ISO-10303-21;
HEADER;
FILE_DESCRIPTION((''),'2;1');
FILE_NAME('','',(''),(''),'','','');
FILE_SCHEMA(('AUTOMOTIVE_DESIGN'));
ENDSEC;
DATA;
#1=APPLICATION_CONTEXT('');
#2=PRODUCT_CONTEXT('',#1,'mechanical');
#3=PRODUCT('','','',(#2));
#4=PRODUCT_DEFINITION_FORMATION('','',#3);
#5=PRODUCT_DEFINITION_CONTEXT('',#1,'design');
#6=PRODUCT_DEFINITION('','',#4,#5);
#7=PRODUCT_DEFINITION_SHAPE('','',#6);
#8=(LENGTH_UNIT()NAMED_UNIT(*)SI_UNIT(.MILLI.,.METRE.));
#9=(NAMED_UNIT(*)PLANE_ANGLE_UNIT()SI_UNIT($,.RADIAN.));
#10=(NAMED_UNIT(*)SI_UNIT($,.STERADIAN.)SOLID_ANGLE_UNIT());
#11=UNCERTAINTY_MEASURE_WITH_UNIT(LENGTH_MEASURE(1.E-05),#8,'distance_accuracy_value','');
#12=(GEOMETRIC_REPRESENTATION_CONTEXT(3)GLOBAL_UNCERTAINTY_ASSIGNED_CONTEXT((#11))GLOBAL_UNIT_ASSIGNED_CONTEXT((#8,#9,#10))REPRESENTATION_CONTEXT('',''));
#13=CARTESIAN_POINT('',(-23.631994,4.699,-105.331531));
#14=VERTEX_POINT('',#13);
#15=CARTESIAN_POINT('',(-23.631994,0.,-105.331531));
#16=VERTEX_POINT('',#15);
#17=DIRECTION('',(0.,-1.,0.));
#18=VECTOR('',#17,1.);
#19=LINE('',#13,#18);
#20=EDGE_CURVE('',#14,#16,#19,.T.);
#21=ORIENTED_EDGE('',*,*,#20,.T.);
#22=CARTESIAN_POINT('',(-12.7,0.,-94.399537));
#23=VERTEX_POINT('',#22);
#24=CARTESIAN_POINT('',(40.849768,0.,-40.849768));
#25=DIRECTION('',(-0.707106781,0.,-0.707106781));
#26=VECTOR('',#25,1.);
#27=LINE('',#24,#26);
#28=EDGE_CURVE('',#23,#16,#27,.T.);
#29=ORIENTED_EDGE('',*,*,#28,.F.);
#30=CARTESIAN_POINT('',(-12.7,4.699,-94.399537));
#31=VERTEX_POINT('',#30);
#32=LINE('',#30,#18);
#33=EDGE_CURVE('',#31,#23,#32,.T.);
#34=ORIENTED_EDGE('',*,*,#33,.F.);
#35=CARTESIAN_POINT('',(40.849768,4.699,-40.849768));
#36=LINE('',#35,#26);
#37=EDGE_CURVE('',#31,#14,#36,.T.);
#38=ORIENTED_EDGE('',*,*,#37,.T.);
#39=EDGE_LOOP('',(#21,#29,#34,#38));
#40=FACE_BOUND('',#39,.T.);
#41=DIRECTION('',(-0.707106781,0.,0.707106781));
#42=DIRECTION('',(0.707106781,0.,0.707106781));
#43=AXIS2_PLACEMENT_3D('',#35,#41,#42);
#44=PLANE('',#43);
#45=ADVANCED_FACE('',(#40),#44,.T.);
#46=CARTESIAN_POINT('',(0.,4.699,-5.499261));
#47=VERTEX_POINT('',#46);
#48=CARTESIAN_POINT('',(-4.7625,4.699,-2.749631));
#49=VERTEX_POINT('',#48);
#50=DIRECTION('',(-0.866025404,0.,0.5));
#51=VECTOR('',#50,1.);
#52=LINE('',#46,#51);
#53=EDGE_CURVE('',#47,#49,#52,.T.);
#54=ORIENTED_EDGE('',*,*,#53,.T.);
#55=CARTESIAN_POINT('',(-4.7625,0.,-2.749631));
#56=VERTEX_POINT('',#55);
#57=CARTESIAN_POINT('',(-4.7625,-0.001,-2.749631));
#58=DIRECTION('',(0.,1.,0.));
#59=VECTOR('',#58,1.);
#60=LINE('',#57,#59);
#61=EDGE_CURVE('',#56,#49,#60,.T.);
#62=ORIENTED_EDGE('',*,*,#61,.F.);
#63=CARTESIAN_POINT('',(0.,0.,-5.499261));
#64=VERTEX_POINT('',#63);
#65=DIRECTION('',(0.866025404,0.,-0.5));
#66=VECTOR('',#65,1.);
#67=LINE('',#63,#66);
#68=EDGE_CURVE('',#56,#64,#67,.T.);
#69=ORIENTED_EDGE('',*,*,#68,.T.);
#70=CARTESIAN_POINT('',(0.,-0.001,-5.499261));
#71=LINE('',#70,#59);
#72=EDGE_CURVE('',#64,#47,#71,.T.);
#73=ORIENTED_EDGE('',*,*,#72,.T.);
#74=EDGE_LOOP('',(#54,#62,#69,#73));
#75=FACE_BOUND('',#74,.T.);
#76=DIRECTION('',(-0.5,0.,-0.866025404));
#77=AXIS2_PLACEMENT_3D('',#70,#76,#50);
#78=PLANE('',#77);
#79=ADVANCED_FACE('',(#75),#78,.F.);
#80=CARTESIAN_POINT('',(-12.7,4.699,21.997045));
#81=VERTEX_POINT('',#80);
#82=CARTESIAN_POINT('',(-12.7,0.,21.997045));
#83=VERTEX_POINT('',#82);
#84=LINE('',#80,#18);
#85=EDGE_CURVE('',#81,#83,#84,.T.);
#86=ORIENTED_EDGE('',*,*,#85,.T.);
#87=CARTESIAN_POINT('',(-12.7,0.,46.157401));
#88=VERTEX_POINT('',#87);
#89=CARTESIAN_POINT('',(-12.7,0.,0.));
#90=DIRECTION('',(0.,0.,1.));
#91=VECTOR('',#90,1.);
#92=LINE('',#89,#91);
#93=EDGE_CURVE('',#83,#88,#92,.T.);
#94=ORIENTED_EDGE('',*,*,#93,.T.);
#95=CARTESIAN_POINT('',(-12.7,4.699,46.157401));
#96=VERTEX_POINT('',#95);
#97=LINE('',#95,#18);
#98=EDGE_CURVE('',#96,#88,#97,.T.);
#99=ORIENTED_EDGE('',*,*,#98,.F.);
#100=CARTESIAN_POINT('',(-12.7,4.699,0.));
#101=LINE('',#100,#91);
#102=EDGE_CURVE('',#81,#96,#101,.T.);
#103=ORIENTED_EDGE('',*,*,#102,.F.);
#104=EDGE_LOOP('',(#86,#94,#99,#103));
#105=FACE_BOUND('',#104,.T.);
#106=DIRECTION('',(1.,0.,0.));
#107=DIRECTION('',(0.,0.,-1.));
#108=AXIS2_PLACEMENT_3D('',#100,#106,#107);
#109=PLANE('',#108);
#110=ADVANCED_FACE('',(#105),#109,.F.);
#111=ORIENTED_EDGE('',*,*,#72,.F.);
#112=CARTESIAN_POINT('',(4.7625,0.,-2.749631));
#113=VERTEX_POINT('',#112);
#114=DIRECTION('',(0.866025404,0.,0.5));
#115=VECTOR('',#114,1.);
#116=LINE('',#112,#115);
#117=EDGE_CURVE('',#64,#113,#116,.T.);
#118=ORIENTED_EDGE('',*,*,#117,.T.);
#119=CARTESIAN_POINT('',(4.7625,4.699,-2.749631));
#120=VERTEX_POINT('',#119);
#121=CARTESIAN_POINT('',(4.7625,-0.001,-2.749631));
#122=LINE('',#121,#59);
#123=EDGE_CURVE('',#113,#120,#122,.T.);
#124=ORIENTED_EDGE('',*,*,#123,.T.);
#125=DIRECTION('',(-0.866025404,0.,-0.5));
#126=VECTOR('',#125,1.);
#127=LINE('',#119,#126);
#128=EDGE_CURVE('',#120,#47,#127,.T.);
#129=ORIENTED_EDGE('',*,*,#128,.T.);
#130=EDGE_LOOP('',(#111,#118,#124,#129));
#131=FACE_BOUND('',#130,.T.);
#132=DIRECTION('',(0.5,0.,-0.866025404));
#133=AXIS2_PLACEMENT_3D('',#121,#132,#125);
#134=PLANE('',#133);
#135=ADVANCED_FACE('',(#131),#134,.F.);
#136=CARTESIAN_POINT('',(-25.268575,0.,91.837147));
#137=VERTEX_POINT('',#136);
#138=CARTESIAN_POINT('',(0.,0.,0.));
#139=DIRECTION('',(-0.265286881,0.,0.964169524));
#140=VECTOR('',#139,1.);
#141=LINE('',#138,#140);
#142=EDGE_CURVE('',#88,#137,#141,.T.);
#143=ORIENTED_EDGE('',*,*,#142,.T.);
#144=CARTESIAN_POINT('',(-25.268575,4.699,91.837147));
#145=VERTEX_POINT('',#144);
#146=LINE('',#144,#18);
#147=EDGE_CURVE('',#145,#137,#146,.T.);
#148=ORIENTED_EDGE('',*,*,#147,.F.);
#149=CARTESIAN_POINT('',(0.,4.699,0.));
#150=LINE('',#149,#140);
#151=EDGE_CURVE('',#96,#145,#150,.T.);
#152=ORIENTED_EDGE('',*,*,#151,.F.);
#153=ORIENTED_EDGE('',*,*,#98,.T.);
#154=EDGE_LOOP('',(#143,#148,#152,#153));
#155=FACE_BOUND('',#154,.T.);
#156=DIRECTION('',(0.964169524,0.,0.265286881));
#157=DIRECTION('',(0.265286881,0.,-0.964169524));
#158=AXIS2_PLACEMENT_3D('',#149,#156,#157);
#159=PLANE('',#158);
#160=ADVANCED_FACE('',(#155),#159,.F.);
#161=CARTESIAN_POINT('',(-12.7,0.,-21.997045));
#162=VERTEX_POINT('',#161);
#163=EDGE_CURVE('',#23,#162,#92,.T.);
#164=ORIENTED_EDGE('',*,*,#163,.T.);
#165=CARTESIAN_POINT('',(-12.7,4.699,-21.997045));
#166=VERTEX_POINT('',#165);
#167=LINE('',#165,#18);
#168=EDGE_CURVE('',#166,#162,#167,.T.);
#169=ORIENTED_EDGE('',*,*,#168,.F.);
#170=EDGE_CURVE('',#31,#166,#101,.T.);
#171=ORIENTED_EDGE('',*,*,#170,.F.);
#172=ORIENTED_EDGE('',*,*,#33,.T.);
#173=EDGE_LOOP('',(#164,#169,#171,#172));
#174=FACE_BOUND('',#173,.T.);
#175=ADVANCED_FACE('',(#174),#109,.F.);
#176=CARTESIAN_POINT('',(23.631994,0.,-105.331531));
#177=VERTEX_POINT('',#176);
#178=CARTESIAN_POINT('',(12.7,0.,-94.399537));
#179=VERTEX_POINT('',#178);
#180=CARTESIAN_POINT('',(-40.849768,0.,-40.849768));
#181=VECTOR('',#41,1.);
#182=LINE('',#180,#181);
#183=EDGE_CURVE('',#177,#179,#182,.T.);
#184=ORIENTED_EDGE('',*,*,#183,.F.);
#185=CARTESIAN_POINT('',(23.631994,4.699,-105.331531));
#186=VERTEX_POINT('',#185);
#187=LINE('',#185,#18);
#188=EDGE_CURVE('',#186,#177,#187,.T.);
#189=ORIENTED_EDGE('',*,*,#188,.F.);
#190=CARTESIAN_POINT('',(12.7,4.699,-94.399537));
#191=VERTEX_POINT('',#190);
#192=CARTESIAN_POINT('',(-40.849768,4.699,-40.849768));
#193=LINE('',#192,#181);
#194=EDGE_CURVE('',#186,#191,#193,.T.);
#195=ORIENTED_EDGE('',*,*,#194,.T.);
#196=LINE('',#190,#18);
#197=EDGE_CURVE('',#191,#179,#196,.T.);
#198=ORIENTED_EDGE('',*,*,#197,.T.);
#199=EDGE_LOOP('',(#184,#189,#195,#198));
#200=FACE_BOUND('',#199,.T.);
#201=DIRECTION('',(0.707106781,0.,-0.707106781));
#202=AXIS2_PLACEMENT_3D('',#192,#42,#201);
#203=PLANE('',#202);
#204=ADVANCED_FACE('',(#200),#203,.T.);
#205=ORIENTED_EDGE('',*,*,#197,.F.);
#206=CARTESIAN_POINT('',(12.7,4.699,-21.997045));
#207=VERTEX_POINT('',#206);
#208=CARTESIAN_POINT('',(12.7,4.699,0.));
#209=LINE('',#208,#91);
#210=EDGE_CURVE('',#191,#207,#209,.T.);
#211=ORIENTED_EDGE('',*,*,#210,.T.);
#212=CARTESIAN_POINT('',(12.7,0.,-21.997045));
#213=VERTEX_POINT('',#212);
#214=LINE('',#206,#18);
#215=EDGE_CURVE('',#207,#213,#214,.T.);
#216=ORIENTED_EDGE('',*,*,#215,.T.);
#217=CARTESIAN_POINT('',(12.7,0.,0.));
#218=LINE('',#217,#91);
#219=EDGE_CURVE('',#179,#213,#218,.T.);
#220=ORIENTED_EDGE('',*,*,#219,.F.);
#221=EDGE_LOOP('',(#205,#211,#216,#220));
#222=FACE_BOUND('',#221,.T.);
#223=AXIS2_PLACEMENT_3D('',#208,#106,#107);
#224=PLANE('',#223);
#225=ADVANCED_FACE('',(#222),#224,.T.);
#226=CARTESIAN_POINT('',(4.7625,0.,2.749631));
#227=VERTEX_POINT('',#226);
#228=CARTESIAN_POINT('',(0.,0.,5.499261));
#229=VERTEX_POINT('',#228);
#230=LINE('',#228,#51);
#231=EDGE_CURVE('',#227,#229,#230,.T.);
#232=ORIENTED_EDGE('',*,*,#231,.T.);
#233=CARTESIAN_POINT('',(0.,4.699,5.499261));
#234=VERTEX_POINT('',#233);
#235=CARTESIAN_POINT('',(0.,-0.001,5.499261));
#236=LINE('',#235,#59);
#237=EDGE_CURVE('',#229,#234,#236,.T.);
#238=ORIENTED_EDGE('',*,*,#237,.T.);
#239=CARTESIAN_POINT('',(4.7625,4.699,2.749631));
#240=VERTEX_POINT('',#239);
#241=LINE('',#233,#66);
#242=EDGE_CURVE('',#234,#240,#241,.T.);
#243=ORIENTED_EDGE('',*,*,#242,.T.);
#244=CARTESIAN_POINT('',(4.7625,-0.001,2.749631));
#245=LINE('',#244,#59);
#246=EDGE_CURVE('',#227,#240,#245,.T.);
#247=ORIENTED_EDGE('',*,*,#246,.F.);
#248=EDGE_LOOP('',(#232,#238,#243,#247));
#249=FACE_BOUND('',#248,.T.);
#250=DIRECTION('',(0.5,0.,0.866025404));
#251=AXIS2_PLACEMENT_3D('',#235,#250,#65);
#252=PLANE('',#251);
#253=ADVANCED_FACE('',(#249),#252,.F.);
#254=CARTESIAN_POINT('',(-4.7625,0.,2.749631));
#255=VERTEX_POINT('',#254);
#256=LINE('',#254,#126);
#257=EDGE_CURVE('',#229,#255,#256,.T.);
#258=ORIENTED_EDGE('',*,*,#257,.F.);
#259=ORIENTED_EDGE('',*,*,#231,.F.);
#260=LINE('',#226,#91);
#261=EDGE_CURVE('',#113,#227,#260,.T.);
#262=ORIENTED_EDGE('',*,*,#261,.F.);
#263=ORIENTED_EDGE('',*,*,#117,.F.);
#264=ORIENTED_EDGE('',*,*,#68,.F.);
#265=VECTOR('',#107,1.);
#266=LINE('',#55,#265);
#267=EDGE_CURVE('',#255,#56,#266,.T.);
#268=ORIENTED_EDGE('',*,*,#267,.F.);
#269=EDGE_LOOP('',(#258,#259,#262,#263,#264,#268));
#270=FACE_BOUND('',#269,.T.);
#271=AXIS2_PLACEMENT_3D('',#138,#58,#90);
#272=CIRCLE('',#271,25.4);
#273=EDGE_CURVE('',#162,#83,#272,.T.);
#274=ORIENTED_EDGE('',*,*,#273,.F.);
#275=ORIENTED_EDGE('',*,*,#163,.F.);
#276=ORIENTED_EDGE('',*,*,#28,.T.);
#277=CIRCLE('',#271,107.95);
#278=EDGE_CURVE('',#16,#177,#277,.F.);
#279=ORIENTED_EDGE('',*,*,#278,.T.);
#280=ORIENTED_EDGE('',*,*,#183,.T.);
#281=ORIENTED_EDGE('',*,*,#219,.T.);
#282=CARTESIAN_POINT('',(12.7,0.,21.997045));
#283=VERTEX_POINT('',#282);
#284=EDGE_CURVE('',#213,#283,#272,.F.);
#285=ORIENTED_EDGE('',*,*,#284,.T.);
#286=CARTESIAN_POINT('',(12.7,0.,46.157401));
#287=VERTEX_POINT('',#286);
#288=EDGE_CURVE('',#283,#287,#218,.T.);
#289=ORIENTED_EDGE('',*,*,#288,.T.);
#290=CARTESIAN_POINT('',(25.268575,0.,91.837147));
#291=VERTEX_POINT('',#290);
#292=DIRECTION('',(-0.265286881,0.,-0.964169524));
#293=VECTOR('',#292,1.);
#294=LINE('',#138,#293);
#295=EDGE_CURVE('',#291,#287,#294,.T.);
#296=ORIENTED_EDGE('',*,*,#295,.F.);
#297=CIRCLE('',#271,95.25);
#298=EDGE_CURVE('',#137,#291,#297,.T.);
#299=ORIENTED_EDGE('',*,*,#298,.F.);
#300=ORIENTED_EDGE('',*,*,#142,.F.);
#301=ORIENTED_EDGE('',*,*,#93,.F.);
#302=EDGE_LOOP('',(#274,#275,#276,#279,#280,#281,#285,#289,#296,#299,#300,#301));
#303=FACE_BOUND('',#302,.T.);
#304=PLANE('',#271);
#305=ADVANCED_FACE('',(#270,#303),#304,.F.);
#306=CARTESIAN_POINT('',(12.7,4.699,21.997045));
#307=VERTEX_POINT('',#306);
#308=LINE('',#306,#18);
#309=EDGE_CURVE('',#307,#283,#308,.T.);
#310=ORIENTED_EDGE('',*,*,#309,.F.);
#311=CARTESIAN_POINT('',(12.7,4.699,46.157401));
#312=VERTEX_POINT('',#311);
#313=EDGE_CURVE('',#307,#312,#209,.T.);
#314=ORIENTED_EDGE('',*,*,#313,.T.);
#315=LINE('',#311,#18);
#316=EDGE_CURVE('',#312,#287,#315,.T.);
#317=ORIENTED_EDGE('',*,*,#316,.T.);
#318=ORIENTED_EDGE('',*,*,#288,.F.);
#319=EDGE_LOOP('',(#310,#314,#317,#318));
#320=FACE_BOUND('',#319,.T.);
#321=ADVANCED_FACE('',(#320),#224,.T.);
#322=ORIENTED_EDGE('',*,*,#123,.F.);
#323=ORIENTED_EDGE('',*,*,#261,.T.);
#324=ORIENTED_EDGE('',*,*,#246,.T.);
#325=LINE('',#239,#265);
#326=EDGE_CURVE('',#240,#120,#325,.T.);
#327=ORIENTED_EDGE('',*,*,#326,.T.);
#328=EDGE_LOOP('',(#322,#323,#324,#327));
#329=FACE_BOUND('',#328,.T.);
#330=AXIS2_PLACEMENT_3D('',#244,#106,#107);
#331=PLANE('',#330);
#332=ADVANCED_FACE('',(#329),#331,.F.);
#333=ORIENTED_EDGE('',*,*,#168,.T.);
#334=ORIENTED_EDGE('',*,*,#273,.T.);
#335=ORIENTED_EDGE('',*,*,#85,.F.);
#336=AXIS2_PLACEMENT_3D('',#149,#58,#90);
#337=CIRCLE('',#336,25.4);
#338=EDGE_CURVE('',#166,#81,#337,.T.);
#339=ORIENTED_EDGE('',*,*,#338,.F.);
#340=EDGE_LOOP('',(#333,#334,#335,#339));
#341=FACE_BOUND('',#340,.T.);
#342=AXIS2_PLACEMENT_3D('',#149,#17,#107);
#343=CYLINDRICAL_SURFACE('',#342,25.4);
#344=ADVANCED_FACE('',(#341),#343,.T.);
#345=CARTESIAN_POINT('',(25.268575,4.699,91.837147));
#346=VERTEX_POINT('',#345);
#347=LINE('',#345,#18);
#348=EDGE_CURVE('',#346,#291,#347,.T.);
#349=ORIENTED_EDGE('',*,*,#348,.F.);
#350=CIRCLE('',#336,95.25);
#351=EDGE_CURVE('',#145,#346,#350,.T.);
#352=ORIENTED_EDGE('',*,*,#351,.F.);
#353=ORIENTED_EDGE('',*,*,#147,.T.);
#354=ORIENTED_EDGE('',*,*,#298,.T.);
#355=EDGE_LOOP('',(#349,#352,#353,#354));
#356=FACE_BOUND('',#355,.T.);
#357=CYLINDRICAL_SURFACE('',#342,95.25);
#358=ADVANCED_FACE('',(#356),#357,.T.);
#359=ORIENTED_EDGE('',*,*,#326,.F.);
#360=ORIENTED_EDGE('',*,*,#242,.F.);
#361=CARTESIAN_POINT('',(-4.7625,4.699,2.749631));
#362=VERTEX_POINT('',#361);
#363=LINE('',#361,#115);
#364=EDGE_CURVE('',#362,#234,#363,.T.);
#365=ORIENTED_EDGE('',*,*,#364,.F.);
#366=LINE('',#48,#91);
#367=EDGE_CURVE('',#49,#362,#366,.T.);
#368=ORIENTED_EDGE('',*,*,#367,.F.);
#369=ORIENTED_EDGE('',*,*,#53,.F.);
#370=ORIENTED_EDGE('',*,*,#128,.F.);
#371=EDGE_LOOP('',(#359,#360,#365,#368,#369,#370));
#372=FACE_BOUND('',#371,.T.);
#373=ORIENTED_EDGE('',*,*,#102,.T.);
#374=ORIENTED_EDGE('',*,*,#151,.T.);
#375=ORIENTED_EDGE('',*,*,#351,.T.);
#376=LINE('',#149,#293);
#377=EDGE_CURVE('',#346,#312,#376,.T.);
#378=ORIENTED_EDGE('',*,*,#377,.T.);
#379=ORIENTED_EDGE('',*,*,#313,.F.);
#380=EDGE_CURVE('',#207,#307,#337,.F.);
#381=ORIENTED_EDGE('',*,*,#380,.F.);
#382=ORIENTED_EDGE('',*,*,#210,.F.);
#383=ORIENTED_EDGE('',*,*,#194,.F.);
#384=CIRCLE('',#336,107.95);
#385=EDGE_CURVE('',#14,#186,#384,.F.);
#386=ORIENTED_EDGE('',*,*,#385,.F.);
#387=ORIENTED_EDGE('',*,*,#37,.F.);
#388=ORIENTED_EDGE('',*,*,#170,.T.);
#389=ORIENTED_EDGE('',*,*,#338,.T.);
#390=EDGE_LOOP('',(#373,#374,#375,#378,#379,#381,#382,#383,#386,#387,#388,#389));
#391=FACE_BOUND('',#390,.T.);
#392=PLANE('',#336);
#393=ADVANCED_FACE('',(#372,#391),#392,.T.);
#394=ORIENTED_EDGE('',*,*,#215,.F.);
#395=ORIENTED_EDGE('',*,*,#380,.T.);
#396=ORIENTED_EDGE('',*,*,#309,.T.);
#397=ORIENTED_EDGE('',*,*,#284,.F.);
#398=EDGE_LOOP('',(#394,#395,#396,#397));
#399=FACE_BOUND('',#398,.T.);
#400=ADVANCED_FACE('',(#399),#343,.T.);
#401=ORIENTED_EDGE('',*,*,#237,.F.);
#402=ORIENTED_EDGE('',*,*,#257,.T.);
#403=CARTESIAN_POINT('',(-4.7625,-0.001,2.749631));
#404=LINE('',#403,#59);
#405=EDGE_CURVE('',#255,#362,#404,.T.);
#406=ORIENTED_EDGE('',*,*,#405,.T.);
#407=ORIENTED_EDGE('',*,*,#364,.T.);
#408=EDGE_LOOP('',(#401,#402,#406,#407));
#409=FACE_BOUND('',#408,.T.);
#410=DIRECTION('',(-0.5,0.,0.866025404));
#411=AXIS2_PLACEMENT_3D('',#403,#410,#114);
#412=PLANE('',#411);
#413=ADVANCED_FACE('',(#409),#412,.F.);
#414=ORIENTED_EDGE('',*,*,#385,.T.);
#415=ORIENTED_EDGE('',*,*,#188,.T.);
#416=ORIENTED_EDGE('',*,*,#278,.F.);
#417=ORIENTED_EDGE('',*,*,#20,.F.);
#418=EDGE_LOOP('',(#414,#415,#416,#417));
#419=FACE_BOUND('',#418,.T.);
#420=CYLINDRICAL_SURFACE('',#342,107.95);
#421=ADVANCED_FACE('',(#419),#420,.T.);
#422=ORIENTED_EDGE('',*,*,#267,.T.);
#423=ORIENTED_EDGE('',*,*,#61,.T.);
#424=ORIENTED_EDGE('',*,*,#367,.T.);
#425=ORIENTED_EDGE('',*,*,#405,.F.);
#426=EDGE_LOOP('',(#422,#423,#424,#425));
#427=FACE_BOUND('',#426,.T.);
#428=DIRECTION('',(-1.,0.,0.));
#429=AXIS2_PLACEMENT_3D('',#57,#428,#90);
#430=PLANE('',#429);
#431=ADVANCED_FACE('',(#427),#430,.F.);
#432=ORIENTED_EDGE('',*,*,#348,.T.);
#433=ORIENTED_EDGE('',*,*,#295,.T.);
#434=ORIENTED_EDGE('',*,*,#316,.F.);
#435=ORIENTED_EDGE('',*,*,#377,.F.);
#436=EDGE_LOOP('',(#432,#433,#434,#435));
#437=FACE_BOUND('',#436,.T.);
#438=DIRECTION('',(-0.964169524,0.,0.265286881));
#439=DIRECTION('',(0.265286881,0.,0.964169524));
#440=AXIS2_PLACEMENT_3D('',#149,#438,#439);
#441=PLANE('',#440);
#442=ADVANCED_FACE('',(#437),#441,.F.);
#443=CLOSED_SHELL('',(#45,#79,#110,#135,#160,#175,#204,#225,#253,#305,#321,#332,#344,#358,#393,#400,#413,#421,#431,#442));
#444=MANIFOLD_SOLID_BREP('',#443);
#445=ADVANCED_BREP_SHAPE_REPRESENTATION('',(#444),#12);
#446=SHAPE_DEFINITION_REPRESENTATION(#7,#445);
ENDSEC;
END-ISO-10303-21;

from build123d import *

# Parameters (mm, degrees)
BOSS_EXTRUDE1_DEPTH = 4.699
CUT_EXTRUDE1_REACH  = 112.997


with BuildPart() as part:
    # Sketch2 → Boss-Extrude1 (new body)
    with BuildSketch(Plane(origin=(0, 0, 0), x_dir=(1, 0, 0), z_dir=(0, 1, 0))):
        with BuildLine():
            Line((12.7, 0), (-12.7, 0))
            Line((-12.7, 0), (-12.7, -21.997045256))
            Line((-12.7, -21.997045256), (-12.7, -46.157401043))
            Line((-12.7, -46.157401043), (-12.7, -94.399536545))
            ThreePointArc((-12.7, -94.399536545), (0, -95.25), (12.7, -94.399536545))
            Line((12.7, -94.399536545), (12.7, -46.157401043))
            Line((12.7, -46.157401043), (12.7, -21.997045256))
            Line((12.7, -21.997045256), (12.7, 0))
        make_face()
        with BuildLine():
            Line((-12.7, -94.399536545), (-12.7, -46.157401043))
            Line((-12.7, -46.157401043), (-25.268575407, -91.837147151))
            ThreePointArc((-25.268575407, -91.837147151), (-19.027470653, -93.330155151), (-12.7, -94.399536545))
        make_face()
        with BuildLine():
            Line((25.268575407, -91.837147151), (12.7, -46.157401043))
            Line((12.7, -46.157401043), (12.7, -94.399536545))
            ThreePointArc((12.7, -94.399536545), (19.027470653, -93.330155151), (25.268575407, -91.837147151))
        make_face()
        with BuildLine():
            Line((12.7, 21.997045256), (12.7, 0))
            Line((12.7, 0), (12.7, -21.997045256))
            ThreePointArc((12.7, -21.997045256), (25.4, 0), (12.7, 21.997045256))
        make_face()
        with BuildLine():
            Line((-12.7, -21.997045256), (-12.7, 0))
            Line((-12.7, 0), (-12.7, 21.997045256))
            ThreePointArc((-12.7, 21.997045256), (-25.4, 0), (-12.7, -21.997045256))
        make_face()
        with BuildLine():
            Line((-12.7, 21.997045256), (-12.7, 0))
            Line((-12.7, 0), (12.7, 0))
            Line((12.7, 0), (12.7, 21.997045256))
            Line((12.7, 21.997045256), (12.7, 94.399536545))
            Line((12.7, 94.399536545), (23.631994126, 105.331530672))
            ThreePointArc((23.631994126, 105.331530672), (0, 107.95), (-23.631994126, 105.331530672))
            Line((-23.631994126, 105.331530672), (-12.7, 94.399536545))
            Line((-12.7, 94.399536545), (-12.7, 21.997045256))
        make_face()
    extrude(amount=BOSS_EXTRUDE1_DEPTH)

    # Sketch3 → Cut-Extrude1 (cut, up to next)
    with BuildSketch(Plane(origin=(0, 4.699, 0), x_dir=(1, 0, 0), z_dir=(0, 1, 0)), mode=Mode.PRIVATE) as cut_extrude1_sk1:
        Polygon((-4.7625, 2.749630657), (-4.7625, -2.749630657), (0, -5.499261314), (4.7625, -2.749630657), (4.7625, 2.749630657), (0, 5.499261314), align=None)
    cut_extrude1_tool1 = extrude(cut_extrude1_sk1.sketch, amount=-CUT_EXTRUDE1_REACH, mode=Mode.PRIVATE) & part.part
    add(cut_extrude1_tool1.solids().sort_by_distance((0, 4.699, 0))[0], mode=Mode.SUBTRACT)


solid = part.part
